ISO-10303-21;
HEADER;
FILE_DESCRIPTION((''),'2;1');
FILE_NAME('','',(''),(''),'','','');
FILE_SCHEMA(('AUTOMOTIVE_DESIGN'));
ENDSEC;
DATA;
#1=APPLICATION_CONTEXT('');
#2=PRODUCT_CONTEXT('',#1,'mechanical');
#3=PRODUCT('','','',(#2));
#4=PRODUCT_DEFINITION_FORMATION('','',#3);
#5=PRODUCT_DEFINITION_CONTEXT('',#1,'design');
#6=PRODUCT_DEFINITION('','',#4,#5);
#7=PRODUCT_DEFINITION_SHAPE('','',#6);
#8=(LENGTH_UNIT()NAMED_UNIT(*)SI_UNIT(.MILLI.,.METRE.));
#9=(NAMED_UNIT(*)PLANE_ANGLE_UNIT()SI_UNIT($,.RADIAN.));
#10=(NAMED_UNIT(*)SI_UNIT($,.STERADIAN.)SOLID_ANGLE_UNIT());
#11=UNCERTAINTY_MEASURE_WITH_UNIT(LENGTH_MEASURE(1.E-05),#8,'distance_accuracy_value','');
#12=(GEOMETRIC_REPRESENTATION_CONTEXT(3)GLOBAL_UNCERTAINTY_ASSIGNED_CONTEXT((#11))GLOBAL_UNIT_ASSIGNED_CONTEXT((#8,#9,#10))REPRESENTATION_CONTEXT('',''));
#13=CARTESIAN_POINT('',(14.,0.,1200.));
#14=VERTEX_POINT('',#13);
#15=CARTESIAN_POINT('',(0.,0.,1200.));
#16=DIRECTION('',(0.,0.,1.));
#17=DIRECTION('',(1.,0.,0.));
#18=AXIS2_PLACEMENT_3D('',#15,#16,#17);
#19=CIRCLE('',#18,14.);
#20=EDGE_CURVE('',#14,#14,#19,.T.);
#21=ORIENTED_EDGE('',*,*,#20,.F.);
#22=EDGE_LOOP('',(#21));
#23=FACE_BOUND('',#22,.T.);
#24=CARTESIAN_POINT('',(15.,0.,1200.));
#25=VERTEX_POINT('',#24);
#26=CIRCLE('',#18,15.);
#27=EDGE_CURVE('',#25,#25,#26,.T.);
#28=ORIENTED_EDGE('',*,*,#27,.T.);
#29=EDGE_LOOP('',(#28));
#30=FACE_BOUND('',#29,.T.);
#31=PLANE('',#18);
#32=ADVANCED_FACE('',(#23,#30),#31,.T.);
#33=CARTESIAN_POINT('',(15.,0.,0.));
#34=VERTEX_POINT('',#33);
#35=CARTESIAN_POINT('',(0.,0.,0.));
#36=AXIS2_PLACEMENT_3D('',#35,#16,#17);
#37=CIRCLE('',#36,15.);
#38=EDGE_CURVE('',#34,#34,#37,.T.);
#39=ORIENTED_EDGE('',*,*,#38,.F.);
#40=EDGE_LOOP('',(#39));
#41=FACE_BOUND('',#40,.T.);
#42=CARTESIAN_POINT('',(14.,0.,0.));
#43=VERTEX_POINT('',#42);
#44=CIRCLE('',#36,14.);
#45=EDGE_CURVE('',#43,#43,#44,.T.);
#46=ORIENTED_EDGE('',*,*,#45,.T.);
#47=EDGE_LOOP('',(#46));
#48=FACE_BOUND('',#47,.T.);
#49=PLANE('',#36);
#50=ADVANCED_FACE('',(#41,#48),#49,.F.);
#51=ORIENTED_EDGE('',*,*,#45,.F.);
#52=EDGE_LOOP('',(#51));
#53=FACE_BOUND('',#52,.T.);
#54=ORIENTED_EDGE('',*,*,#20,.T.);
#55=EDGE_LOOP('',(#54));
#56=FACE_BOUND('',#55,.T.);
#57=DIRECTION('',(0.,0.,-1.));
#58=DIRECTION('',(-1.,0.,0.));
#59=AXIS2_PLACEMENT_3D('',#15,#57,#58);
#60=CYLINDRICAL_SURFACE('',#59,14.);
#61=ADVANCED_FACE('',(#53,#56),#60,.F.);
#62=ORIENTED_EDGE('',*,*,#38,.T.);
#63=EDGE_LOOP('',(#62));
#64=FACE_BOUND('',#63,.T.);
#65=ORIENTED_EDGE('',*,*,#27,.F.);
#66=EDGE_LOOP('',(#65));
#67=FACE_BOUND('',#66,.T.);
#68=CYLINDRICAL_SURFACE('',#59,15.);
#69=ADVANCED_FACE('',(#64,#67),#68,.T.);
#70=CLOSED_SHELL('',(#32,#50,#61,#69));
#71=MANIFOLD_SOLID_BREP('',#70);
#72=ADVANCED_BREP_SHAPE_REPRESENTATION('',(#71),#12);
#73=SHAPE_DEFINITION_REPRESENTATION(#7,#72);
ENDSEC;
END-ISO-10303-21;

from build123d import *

# Parameters (mm, degrees)
SKETCH1_R           = 15
SKETCH1_R_2         = 14
BOSS_EXTRUDE1_DEPTH = 1200


with BuildPart() as part:
    # Sketch1 → Boss-Extrude1 (new body)
    with BuildSketch(Plane.XY):
        Circle(SKETCH1_R)
        Circle(SKETCH1_R_2, mode=Mode.SUBTRACT)
    extrude(amount=BOSS_EXTRUDE1_DEPTH)


solid = part.part
